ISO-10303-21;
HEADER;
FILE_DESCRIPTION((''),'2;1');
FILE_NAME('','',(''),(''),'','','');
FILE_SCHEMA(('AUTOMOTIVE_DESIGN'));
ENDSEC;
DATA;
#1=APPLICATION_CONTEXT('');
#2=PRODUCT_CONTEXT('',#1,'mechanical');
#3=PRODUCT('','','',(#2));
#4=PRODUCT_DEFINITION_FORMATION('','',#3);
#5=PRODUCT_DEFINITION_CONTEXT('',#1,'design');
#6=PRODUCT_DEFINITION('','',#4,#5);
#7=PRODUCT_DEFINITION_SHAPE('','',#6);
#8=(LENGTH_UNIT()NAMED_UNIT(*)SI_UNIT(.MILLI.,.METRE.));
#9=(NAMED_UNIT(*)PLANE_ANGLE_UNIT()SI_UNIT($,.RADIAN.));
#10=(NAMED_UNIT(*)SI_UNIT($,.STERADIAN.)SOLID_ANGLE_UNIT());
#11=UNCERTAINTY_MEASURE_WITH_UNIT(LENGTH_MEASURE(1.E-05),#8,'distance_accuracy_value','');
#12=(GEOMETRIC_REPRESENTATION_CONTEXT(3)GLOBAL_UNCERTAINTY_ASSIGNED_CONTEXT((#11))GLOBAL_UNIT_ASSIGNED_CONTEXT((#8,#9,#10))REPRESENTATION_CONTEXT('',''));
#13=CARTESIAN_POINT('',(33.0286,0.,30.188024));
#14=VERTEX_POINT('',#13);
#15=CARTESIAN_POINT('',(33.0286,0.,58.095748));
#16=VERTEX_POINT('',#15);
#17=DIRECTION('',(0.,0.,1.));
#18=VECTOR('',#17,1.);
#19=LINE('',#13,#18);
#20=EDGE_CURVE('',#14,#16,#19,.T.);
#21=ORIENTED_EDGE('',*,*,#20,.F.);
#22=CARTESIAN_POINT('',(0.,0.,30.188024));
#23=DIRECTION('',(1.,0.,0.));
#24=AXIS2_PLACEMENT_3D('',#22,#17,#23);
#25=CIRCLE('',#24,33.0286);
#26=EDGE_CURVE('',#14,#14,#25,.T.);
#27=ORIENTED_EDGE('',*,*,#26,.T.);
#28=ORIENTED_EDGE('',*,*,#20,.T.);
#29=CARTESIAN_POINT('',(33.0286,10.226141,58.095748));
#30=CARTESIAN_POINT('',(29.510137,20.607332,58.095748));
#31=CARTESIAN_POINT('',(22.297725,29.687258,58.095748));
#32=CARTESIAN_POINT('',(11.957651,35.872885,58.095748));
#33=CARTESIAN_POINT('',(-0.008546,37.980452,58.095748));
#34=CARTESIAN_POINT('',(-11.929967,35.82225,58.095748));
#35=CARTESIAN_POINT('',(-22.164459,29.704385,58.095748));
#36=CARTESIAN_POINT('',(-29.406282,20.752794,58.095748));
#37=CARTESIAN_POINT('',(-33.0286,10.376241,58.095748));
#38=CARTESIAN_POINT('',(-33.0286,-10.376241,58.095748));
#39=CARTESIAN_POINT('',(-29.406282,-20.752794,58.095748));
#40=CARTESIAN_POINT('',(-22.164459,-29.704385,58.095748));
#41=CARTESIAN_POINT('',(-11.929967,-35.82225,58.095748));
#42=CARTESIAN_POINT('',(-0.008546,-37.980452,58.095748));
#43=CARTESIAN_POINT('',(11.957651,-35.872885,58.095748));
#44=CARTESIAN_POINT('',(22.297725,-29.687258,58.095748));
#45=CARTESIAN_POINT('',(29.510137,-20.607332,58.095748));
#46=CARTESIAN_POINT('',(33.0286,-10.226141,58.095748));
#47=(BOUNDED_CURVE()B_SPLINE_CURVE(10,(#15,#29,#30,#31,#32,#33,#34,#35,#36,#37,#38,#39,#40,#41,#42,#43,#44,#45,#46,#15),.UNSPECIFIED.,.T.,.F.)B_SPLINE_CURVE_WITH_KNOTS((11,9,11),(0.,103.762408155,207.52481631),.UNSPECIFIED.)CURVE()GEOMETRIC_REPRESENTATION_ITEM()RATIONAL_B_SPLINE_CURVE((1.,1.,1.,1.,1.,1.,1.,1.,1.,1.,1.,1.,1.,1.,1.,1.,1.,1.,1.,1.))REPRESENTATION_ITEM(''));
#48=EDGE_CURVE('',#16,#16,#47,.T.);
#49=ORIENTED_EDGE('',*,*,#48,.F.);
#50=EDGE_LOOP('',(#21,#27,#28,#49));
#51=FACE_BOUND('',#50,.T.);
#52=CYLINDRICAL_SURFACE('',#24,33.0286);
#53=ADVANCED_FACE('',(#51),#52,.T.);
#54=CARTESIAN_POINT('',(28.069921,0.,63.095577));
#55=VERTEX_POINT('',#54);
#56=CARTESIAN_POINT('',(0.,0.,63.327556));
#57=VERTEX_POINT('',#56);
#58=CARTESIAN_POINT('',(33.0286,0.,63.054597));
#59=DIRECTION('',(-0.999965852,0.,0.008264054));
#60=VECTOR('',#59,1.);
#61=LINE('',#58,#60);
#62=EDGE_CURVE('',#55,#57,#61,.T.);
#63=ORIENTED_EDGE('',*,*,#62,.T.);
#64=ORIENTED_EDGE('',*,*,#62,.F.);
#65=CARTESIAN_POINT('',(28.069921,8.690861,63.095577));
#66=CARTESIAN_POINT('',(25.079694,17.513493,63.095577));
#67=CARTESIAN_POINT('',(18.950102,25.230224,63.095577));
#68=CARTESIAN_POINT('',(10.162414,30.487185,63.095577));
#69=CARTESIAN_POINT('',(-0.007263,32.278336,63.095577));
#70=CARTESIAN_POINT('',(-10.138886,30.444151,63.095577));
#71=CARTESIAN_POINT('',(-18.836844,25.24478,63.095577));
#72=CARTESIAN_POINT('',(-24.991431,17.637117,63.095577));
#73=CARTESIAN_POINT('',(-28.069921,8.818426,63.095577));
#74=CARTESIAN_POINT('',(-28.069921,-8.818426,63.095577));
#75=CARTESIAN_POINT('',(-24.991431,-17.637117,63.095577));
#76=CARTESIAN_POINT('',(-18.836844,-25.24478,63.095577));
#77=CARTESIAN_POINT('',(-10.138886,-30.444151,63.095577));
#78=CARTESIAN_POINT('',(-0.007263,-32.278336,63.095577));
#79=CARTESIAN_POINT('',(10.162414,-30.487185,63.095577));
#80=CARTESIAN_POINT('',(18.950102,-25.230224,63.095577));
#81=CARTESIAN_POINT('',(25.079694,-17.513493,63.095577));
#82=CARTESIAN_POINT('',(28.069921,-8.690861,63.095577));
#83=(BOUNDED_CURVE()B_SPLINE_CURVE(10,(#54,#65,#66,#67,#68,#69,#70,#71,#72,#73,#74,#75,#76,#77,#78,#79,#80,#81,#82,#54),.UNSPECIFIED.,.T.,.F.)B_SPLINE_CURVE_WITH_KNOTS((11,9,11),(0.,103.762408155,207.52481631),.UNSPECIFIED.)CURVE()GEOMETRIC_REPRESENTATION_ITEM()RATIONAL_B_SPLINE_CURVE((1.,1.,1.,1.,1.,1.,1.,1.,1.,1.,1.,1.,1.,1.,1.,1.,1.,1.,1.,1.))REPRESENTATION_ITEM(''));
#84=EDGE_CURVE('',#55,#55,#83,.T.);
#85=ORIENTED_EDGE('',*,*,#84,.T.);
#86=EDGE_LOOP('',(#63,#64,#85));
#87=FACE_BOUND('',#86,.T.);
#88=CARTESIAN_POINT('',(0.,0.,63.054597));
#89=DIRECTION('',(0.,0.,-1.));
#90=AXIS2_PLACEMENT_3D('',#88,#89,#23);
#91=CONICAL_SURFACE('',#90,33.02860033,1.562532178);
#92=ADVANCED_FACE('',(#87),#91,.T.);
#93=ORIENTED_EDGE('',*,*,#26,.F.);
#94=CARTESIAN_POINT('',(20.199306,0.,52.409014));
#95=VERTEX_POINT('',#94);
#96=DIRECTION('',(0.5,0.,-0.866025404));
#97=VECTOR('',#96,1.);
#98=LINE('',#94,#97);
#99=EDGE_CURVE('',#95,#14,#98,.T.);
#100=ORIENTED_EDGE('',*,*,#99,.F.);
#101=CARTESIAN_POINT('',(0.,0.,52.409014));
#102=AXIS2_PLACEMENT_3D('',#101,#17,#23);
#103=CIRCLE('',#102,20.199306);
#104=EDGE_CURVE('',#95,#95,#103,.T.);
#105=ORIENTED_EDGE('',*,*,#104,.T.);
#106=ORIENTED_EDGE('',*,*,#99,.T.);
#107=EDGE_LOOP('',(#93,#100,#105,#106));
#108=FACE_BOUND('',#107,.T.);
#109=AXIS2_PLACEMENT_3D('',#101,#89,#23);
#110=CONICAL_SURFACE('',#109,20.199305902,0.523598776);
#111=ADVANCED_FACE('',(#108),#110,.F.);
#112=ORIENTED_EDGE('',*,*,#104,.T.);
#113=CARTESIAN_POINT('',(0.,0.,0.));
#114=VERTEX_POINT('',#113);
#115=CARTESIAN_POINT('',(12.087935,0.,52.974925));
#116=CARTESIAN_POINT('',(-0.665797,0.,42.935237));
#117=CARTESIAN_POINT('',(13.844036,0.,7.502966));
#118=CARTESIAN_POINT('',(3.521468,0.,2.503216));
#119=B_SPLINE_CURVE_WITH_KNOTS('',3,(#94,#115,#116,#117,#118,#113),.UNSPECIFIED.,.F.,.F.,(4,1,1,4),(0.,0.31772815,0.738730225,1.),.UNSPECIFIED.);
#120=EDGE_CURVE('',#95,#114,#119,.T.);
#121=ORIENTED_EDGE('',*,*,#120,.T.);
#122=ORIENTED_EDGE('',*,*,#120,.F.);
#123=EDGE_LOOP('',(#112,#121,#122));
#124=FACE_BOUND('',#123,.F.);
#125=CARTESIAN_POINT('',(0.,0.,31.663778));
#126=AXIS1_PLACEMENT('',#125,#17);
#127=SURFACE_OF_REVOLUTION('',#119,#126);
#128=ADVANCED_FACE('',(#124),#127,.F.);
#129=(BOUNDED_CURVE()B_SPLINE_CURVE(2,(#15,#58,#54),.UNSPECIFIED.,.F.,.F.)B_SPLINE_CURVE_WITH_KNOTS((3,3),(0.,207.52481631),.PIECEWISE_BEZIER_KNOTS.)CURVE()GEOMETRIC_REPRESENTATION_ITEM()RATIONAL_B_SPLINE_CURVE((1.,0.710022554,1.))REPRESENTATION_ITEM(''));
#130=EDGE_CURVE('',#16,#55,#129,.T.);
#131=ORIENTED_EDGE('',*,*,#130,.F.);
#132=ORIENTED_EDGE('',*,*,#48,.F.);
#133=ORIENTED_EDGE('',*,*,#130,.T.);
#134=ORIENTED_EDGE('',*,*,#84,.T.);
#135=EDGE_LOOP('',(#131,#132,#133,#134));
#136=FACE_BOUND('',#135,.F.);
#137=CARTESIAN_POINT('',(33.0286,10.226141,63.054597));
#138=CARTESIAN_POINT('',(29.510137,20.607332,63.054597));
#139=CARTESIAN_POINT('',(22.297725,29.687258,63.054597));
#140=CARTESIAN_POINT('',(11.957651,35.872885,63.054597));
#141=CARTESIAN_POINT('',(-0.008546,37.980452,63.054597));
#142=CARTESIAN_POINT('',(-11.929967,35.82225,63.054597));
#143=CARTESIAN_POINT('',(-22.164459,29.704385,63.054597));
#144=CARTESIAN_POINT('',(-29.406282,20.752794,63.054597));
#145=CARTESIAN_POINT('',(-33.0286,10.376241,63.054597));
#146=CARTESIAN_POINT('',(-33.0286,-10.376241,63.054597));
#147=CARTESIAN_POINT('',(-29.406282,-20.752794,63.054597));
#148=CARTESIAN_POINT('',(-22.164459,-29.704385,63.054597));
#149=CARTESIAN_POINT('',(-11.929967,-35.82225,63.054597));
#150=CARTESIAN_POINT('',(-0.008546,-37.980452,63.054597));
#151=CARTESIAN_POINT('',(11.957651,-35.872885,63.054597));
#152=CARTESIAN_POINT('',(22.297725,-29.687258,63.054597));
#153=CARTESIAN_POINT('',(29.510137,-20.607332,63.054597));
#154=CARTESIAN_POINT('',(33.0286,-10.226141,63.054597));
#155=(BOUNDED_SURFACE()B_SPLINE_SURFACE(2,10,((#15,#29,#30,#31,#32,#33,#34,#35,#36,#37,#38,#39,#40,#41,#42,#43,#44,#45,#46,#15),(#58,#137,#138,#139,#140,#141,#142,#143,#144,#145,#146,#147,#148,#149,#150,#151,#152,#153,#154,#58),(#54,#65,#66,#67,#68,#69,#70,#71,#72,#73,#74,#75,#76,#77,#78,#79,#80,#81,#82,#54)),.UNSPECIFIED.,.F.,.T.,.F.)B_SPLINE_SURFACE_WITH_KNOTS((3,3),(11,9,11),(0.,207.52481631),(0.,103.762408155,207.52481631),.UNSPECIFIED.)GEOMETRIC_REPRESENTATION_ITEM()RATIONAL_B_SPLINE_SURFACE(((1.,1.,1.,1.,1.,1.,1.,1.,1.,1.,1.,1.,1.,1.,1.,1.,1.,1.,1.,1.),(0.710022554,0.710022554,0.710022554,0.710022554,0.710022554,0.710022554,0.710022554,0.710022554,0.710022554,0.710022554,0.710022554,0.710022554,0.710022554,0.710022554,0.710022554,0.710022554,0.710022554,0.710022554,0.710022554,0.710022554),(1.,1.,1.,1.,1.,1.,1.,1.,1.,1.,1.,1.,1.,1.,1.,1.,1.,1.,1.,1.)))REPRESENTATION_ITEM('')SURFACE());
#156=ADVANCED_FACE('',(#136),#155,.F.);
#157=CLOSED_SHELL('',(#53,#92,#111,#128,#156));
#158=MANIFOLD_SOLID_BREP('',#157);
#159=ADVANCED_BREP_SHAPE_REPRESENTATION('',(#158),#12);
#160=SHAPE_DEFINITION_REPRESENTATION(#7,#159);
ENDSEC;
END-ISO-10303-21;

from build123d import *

# Parameters (mm, degrees)
F2_R = 5


with BuildPart() as f1:
    # F0 (on Front) → F1 (revolve)
    with BuildSketch(Plane.XZ):
        with BuildLine():
            Line((0, 63.3275562723), (0, 0))
            add(Edge.make_bspline(
                [(20.1993059018, 52.4090135295), (12.0879349617, 52.974924986), (-0.6657972156, 42.9352365122), (13.844036147, 7.5029659359), (3.5214675167, 2.5032162183), (0, 0)],
                knots=[0, 0, 0, 0, 0.3177281502, 0.7387302251, 1, 1, 1, 1], degree=3))
            Line((20.1993059018, 52.4090135295), (33.02860033, 30.1880237546))
            Line((33.02860033, 30.1880237546), (33.02860033, 63.0545968015))
            Line((33.02860033, 63.0545968015), (0, 63.3275562723))
        make_face()
    revolve(axis=Axis((0, 0, 31.6637781361), (0, 0, 1)))

    # F2
    f2_edges = [f1.edges().sort_by_distance(p)[0] for p in [
        (-33.0286, 0, 63.054597),
        (16.5143, 0, 63.191077),
    ]]
    fillet(f2_edges, radius=F2_R)


solid = f1.part
